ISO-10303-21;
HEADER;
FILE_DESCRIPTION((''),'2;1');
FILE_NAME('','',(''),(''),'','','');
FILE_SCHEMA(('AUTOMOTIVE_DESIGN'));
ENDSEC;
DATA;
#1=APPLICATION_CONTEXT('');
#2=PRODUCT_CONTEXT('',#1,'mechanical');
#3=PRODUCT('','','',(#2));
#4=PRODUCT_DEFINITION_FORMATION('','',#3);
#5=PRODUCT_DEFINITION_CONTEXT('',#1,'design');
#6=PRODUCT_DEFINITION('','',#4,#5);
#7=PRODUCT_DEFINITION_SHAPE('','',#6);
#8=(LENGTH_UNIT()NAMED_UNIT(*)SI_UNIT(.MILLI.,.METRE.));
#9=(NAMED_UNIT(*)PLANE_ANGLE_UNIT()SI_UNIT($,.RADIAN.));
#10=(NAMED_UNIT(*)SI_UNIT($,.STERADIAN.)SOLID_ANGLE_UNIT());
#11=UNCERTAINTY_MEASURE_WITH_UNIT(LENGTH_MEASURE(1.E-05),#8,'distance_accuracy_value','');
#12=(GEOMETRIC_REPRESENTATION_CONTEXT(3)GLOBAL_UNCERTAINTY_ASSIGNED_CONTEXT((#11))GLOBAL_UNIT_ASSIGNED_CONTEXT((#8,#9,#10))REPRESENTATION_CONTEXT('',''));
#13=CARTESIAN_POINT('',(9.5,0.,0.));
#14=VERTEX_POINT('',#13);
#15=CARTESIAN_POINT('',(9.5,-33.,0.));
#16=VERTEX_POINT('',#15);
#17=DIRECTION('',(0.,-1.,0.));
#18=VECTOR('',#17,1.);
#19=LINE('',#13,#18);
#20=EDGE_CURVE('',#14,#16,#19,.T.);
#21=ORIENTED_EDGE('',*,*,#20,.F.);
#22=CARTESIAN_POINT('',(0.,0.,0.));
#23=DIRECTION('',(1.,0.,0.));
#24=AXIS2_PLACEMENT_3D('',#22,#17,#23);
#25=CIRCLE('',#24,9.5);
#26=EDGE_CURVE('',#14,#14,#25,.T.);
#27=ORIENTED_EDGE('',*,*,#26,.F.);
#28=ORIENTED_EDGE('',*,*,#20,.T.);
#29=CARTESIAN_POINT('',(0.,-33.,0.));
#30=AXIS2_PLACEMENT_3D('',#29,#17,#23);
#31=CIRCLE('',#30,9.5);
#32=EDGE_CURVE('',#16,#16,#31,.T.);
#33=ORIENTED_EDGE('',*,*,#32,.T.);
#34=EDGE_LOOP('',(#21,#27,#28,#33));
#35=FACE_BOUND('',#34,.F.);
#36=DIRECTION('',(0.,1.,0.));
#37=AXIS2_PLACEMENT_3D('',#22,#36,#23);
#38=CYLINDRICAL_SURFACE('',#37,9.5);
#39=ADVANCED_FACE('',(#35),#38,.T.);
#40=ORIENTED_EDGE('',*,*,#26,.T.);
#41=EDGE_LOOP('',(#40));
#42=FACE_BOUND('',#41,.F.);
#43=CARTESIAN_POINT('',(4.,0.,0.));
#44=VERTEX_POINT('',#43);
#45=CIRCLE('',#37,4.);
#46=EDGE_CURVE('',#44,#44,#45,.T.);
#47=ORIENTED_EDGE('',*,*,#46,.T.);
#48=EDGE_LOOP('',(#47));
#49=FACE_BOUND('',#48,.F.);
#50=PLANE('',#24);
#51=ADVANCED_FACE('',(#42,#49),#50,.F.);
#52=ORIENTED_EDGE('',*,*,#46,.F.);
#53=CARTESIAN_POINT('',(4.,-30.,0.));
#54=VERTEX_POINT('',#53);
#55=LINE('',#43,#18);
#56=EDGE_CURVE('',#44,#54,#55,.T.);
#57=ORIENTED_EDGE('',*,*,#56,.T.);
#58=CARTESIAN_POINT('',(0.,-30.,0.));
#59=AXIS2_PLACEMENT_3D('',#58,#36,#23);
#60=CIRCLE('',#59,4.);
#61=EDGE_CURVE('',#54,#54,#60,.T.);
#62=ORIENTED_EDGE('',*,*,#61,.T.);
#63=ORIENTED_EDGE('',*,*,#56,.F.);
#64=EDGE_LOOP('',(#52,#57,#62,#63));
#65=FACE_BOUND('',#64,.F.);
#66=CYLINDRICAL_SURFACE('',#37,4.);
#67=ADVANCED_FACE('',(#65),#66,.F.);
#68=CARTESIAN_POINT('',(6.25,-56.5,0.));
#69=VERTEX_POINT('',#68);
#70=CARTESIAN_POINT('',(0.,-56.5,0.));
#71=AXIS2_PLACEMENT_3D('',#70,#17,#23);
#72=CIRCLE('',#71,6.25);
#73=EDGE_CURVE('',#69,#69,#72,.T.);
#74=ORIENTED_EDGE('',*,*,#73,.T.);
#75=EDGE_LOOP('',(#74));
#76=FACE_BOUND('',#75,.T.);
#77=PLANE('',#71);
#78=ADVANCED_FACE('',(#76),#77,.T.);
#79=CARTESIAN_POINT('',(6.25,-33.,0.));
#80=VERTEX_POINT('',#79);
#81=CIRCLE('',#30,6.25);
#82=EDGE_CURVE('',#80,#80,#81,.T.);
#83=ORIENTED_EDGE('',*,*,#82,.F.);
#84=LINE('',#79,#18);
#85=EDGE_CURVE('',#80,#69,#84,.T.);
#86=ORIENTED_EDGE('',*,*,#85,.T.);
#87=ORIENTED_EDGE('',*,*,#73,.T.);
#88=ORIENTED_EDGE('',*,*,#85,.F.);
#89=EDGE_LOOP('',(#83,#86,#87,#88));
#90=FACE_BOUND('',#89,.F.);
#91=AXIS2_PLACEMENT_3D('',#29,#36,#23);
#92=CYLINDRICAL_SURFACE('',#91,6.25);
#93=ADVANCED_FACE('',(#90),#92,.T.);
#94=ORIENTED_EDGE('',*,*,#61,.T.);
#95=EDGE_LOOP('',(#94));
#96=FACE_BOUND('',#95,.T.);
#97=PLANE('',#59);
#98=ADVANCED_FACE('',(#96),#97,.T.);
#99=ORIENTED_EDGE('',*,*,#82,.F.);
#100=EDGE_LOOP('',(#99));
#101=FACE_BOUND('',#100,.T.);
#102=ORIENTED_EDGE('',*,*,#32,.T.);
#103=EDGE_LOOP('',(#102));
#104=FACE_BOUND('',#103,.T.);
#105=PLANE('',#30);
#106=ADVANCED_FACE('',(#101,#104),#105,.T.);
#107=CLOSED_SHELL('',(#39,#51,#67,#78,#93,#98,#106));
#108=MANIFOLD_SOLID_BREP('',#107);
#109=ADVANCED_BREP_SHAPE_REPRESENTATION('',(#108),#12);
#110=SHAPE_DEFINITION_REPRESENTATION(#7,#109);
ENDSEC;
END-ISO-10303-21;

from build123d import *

# Parameters (mm, degrees)
SKETCH_R     = 9.5
PAD_DEPTH    = 33
SKETCH001_R  = 4
POCKET_DEPTH = 30
SKETCH002_R  = 6.25
PAD001_DEPTH = 23.5


with BuildPart() as part:
    # Sketch → Pad (new body)
    with BuildSketch(Plane.XZ):
        Circle(SKETCH_R)
    extrude(amount=PAD_DEPTH)

    # Sketch001 (on Face2 of Pad) → Pocket (cut)
    with BuildSketch(Plane(origin=(0, 0, 0), x_dir=(1, 0, 0), z_dir=(0, 1, 0))):
        Circle(SKETCH001_R)
    extrude(amount=-POCKET_DEPTH, mode=Mode.SUBTRACT)

    # Sketch002 (on Face3 of Pocket) → Pad001 (join)
    with BuildSketch(Plane.XZ.offset(33)):
        Circle(SKETCH002_R)
    extrude(amount=PAD001_DEPTH)


solid = part.part
